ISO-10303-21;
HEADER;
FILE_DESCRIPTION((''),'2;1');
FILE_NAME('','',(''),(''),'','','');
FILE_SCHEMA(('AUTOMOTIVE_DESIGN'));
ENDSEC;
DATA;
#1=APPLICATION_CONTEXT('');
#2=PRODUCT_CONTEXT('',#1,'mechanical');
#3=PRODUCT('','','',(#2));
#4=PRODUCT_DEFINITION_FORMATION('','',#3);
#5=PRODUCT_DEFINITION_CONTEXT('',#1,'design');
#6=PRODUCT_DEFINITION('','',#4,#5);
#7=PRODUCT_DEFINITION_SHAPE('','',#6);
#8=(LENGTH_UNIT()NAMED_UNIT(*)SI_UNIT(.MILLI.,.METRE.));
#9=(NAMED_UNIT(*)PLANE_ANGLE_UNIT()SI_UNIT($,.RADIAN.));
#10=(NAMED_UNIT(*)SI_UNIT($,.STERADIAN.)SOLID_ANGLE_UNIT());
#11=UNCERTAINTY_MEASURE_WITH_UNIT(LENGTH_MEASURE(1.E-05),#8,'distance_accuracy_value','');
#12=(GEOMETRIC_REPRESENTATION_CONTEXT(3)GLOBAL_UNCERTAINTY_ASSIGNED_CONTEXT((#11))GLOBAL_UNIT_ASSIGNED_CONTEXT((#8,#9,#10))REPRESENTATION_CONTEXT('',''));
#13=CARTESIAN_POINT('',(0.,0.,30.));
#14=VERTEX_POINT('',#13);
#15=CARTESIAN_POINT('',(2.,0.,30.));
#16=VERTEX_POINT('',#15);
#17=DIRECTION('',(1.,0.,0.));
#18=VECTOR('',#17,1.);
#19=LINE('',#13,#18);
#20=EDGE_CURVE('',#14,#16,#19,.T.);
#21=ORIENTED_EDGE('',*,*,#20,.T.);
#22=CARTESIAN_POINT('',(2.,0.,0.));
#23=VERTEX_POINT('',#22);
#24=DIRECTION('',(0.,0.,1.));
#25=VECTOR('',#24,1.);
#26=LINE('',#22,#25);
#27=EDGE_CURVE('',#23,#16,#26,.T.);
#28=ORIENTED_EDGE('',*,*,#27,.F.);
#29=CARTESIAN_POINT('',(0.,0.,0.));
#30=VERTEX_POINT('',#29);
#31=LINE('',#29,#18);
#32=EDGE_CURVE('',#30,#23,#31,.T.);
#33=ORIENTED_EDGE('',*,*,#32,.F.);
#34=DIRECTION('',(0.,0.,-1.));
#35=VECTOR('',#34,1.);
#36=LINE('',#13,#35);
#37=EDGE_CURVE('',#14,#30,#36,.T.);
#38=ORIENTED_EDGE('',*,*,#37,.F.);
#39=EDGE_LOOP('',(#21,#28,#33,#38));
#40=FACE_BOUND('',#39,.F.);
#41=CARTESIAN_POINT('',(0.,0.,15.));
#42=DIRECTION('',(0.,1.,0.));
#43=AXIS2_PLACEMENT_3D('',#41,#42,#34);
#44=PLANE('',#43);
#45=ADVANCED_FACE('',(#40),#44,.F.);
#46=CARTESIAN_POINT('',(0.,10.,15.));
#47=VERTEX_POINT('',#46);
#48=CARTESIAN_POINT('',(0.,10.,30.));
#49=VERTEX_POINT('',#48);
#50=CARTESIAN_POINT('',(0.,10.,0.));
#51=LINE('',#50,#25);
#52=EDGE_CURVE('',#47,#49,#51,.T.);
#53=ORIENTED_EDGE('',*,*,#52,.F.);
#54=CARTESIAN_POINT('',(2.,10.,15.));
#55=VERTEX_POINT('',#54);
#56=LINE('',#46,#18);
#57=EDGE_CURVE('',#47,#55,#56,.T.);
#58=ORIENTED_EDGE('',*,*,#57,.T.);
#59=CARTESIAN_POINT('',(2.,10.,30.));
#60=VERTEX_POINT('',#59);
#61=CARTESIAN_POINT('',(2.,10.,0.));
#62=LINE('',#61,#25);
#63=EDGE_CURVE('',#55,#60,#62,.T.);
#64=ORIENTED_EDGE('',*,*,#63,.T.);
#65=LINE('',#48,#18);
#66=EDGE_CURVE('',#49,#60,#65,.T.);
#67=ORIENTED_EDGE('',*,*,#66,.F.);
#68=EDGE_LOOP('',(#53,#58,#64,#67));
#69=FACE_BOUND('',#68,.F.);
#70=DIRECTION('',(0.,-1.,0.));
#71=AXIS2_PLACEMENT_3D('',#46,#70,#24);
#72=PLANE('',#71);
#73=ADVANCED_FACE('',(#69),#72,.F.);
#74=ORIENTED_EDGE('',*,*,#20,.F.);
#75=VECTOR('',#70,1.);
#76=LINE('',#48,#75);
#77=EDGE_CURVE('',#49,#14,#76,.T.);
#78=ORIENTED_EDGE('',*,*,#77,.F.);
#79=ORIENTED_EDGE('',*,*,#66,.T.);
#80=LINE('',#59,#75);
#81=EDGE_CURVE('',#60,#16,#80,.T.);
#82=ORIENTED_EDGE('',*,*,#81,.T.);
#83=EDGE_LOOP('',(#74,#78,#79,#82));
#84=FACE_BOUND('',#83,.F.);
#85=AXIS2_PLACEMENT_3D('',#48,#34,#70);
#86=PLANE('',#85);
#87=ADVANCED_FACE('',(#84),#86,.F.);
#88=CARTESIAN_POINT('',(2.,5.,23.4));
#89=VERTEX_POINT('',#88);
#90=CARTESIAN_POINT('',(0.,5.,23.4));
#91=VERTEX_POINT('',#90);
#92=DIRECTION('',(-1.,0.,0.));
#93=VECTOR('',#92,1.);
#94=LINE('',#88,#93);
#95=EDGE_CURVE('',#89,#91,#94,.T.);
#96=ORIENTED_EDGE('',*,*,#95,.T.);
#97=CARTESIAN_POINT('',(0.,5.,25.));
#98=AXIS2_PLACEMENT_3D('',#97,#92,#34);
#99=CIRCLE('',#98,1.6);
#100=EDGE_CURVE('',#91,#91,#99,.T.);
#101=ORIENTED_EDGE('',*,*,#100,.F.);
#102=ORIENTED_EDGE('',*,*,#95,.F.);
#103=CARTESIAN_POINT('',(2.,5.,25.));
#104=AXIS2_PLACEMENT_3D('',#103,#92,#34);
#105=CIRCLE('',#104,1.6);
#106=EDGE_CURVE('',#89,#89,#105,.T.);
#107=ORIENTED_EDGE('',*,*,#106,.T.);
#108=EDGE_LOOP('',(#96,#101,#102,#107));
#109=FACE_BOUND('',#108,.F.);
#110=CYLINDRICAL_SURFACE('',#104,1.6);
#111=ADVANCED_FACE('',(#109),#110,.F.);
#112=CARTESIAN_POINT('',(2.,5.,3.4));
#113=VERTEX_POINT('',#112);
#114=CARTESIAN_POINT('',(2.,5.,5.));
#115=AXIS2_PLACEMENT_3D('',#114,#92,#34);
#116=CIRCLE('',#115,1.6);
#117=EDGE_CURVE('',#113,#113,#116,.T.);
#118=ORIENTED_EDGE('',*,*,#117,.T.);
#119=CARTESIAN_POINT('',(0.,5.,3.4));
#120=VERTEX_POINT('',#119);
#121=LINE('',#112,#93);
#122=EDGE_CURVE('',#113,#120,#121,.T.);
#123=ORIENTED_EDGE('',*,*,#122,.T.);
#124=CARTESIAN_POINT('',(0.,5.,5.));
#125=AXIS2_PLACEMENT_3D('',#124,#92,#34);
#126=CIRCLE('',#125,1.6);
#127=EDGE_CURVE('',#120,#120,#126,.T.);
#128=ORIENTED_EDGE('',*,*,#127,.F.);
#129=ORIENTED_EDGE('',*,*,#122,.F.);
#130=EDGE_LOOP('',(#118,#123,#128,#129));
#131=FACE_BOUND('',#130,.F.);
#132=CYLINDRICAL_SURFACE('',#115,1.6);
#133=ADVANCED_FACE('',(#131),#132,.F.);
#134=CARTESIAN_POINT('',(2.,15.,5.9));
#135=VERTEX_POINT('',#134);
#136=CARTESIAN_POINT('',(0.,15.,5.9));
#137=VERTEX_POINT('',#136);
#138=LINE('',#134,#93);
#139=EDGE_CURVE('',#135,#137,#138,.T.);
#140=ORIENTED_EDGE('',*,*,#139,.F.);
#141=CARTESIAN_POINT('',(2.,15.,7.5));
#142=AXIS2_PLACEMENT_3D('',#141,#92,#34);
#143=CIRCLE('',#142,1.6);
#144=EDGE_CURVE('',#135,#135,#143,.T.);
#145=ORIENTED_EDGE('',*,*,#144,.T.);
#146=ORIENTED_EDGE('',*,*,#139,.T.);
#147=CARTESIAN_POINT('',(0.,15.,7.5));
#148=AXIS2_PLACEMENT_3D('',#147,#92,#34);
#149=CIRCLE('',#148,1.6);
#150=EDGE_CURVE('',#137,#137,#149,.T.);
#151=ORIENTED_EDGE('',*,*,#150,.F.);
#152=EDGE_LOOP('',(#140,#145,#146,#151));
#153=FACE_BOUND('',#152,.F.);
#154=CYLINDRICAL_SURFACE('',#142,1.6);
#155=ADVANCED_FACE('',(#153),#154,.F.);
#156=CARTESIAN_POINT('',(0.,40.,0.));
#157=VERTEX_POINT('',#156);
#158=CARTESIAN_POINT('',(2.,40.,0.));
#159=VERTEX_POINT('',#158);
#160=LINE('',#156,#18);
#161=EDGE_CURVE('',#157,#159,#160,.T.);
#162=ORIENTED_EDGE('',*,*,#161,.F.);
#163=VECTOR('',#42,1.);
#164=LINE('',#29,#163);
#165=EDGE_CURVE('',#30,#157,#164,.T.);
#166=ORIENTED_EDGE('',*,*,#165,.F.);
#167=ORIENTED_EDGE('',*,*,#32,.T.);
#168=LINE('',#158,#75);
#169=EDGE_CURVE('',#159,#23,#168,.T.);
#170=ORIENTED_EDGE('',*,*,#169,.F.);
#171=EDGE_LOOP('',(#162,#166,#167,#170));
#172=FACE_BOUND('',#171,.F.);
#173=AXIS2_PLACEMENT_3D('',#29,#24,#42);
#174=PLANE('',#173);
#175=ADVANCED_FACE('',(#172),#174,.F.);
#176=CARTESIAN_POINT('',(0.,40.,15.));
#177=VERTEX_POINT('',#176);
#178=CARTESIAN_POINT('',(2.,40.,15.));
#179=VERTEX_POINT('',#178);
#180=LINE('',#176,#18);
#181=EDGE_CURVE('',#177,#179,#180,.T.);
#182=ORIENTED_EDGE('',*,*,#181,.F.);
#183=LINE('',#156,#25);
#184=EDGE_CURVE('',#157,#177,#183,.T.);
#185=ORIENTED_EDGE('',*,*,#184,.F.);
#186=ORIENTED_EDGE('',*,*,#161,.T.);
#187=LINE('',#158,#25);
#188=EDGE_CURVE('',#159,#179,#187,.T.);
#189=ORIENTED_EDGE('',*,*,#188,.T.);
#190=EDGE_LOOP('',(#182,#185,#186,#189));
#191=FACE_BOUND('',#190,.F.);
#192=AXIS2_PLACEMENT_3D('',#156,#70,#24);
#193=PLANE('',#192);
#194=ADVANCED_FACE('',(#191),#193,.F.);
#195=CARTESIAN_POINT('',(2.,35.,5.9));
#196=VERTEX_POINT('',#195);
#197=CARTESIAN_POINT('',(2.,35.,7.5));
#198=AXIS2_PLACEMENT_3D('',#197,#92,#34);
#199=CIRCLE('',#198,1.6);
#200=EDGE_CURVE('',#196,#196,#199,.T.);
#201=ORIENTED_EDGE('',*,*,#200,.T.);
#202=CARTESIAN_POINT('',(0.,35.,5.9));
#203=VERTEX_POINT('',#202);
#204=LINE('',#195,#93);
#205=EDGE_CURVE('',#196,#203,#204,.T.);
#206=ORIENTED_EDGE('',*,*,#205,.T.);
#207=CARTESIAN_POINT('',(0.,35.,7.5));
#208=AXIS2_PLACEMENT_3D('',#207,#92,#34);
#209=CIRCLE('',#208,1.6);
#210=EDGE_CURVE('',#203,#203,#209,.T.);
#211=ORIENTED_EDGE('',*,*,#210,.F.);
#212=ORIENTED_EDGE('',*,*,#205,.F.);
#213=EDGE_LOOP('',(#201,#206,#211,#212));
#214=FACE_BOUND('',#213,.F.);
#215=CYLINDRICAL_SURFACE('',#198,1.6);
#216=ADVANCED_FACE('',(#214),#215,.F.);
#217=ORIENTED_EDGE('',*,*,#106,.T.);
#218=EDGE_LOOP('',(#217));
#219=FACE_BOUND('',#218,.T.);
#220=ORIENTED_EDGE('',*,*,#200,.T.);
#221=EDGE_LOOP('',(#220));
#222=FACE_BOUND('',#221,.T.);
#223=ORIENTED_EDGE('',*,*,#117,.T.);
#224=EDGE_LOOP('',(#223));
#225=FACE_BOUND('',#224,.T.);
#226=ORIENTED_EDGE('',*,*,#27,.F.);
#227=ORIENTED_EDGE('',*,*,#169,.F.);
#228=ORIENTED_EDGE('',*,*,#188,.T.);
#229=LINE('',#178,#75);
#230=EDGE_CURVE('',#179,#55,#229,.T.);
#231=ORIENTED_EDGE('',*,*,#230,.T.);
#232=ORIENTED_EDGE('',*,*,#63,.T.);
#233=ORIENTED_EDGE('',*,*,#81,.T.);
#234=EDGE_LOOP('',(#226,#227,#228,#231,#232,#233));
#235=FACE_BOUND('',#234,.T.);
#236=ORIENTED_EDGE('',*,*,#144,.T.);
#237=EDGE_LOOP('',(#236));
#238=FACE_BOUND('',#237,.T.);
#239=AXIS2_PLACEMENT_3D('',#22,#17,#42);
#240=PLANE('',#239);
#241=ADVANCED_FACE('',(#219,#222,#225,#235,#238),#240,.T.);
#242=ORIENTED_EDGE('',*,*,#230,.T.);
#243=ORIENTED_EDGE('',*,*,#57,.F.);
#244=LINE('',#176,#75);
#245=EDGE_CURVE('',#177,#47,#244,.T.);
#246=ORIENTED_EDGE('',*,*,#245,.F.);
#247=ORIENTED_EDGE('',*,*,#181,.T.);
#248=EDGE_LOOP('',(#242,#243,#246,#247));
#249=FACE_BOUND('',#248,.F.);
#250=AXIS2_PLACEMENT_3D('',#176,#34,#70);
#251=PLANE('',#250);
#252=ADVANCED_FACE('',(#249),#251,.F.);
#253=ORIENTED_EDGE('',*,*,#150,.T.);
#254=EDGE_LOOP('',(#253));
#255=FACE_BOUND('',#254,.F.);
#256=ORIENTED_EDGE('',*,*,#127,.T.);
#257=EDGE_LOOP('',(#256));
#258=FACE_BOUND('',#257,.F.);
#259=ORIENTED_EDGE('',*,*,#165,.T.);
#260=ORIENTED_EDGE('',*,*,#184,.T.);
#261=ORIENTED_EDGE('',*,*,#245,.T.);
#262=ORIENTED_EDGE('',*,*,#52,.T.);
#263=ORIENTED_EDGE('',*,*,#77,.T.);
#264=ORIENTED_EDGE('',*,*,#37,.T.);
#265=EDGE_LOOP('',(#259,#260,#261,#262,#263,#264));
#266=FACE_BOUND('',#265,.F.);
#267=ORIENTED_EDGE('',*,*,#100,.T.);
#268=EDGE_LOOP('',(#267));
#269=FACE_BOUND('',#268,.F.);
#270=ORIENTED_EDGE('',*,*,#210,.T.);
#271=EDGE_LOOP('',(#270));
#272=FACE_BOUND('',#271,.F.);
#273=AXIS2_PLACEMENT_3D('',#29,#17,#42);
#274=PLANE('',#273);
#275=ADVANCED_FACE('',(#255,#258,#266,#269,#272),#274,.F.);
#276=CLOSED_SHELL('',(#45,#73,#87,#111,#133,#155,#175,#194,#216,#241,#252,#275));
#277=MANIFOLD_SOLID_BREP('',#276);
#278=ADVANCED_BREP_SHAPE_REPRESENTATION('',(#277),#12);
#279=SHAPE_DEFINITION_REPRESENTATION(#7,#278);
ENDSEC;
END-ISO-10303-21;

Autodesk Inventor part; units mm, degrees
ref_plane "YZ Plane" through (0, 0, 0) normal (1, 0, 0) x (0, 1, 0)
ref_plane "XZ Plane" through (0, 0, 0) normal (0, 1, 0) x (-1, 0, 0)
ref_plane "XY Plane" through (0, 0, 0) normal (0, 0, 1) x (1, 0, 0)
sketch "スケッチ1" plane through (0, 0, 0) normal (1, 0, 0) x (0, 1, 0)
  line L0 (0, 0) -> (40, 0)
  line L1 (40, 0) -> (40, 15)
  line L2 (40, 15) -> (0, 15)
  line L3 (0, 15) -> (0, 0)
  line L4 (0, 0) -> (10, 0)
  line L5 (10, 0) -> (10, 30)
  line L6 (10, 30) -> (0, 30)
  line L7 (0, 30) -> (0, 0)
  point P0 (0, 15)
  point P1 (10, 15)
  dimension "d0" = 15
  dimension "d1" = 10
  dimension "d2" = 30
  dimension "d3" = 30
extrude "押し出し1" add sketch "スケッチ1" along normal blind 2
sketch "スケッチ2" plane through (2, 0, 0) normal (1, 0, 0) x (0, 0, -1)
  line L0 (-30, 10) -> (-30, 0) projected
  line L1 (-30, 5) -> (0, 5) construction
  line L2 (0, 0) -> (0, 40) projected
  line L3 (0, 40) -> (-15, 40) projected
  line L4 (-7.5, 40) -> (-7.5, 0) construction
  line L5 (-30, 0) -> (0, 0) projected
  point P0 (-25, 5)
  point P1 (-5, 5)
  point P2 (-7.5, 15)
  point P3 (-7.5, 35)
  dimension "d6" = 20
  dimension "d7" = 5
  dimension "d8" = 20
  dimension "d9" = 5
hole "穴1" at (2, 5, 25) at (2, 5, 5) at (2, 15, 7.5) at (2, 35, 7.5) direction (-1, 0, 0) diameter 3.2 end through all
properties part number "FrameJointL1015" material "アルミニウム 6061"
